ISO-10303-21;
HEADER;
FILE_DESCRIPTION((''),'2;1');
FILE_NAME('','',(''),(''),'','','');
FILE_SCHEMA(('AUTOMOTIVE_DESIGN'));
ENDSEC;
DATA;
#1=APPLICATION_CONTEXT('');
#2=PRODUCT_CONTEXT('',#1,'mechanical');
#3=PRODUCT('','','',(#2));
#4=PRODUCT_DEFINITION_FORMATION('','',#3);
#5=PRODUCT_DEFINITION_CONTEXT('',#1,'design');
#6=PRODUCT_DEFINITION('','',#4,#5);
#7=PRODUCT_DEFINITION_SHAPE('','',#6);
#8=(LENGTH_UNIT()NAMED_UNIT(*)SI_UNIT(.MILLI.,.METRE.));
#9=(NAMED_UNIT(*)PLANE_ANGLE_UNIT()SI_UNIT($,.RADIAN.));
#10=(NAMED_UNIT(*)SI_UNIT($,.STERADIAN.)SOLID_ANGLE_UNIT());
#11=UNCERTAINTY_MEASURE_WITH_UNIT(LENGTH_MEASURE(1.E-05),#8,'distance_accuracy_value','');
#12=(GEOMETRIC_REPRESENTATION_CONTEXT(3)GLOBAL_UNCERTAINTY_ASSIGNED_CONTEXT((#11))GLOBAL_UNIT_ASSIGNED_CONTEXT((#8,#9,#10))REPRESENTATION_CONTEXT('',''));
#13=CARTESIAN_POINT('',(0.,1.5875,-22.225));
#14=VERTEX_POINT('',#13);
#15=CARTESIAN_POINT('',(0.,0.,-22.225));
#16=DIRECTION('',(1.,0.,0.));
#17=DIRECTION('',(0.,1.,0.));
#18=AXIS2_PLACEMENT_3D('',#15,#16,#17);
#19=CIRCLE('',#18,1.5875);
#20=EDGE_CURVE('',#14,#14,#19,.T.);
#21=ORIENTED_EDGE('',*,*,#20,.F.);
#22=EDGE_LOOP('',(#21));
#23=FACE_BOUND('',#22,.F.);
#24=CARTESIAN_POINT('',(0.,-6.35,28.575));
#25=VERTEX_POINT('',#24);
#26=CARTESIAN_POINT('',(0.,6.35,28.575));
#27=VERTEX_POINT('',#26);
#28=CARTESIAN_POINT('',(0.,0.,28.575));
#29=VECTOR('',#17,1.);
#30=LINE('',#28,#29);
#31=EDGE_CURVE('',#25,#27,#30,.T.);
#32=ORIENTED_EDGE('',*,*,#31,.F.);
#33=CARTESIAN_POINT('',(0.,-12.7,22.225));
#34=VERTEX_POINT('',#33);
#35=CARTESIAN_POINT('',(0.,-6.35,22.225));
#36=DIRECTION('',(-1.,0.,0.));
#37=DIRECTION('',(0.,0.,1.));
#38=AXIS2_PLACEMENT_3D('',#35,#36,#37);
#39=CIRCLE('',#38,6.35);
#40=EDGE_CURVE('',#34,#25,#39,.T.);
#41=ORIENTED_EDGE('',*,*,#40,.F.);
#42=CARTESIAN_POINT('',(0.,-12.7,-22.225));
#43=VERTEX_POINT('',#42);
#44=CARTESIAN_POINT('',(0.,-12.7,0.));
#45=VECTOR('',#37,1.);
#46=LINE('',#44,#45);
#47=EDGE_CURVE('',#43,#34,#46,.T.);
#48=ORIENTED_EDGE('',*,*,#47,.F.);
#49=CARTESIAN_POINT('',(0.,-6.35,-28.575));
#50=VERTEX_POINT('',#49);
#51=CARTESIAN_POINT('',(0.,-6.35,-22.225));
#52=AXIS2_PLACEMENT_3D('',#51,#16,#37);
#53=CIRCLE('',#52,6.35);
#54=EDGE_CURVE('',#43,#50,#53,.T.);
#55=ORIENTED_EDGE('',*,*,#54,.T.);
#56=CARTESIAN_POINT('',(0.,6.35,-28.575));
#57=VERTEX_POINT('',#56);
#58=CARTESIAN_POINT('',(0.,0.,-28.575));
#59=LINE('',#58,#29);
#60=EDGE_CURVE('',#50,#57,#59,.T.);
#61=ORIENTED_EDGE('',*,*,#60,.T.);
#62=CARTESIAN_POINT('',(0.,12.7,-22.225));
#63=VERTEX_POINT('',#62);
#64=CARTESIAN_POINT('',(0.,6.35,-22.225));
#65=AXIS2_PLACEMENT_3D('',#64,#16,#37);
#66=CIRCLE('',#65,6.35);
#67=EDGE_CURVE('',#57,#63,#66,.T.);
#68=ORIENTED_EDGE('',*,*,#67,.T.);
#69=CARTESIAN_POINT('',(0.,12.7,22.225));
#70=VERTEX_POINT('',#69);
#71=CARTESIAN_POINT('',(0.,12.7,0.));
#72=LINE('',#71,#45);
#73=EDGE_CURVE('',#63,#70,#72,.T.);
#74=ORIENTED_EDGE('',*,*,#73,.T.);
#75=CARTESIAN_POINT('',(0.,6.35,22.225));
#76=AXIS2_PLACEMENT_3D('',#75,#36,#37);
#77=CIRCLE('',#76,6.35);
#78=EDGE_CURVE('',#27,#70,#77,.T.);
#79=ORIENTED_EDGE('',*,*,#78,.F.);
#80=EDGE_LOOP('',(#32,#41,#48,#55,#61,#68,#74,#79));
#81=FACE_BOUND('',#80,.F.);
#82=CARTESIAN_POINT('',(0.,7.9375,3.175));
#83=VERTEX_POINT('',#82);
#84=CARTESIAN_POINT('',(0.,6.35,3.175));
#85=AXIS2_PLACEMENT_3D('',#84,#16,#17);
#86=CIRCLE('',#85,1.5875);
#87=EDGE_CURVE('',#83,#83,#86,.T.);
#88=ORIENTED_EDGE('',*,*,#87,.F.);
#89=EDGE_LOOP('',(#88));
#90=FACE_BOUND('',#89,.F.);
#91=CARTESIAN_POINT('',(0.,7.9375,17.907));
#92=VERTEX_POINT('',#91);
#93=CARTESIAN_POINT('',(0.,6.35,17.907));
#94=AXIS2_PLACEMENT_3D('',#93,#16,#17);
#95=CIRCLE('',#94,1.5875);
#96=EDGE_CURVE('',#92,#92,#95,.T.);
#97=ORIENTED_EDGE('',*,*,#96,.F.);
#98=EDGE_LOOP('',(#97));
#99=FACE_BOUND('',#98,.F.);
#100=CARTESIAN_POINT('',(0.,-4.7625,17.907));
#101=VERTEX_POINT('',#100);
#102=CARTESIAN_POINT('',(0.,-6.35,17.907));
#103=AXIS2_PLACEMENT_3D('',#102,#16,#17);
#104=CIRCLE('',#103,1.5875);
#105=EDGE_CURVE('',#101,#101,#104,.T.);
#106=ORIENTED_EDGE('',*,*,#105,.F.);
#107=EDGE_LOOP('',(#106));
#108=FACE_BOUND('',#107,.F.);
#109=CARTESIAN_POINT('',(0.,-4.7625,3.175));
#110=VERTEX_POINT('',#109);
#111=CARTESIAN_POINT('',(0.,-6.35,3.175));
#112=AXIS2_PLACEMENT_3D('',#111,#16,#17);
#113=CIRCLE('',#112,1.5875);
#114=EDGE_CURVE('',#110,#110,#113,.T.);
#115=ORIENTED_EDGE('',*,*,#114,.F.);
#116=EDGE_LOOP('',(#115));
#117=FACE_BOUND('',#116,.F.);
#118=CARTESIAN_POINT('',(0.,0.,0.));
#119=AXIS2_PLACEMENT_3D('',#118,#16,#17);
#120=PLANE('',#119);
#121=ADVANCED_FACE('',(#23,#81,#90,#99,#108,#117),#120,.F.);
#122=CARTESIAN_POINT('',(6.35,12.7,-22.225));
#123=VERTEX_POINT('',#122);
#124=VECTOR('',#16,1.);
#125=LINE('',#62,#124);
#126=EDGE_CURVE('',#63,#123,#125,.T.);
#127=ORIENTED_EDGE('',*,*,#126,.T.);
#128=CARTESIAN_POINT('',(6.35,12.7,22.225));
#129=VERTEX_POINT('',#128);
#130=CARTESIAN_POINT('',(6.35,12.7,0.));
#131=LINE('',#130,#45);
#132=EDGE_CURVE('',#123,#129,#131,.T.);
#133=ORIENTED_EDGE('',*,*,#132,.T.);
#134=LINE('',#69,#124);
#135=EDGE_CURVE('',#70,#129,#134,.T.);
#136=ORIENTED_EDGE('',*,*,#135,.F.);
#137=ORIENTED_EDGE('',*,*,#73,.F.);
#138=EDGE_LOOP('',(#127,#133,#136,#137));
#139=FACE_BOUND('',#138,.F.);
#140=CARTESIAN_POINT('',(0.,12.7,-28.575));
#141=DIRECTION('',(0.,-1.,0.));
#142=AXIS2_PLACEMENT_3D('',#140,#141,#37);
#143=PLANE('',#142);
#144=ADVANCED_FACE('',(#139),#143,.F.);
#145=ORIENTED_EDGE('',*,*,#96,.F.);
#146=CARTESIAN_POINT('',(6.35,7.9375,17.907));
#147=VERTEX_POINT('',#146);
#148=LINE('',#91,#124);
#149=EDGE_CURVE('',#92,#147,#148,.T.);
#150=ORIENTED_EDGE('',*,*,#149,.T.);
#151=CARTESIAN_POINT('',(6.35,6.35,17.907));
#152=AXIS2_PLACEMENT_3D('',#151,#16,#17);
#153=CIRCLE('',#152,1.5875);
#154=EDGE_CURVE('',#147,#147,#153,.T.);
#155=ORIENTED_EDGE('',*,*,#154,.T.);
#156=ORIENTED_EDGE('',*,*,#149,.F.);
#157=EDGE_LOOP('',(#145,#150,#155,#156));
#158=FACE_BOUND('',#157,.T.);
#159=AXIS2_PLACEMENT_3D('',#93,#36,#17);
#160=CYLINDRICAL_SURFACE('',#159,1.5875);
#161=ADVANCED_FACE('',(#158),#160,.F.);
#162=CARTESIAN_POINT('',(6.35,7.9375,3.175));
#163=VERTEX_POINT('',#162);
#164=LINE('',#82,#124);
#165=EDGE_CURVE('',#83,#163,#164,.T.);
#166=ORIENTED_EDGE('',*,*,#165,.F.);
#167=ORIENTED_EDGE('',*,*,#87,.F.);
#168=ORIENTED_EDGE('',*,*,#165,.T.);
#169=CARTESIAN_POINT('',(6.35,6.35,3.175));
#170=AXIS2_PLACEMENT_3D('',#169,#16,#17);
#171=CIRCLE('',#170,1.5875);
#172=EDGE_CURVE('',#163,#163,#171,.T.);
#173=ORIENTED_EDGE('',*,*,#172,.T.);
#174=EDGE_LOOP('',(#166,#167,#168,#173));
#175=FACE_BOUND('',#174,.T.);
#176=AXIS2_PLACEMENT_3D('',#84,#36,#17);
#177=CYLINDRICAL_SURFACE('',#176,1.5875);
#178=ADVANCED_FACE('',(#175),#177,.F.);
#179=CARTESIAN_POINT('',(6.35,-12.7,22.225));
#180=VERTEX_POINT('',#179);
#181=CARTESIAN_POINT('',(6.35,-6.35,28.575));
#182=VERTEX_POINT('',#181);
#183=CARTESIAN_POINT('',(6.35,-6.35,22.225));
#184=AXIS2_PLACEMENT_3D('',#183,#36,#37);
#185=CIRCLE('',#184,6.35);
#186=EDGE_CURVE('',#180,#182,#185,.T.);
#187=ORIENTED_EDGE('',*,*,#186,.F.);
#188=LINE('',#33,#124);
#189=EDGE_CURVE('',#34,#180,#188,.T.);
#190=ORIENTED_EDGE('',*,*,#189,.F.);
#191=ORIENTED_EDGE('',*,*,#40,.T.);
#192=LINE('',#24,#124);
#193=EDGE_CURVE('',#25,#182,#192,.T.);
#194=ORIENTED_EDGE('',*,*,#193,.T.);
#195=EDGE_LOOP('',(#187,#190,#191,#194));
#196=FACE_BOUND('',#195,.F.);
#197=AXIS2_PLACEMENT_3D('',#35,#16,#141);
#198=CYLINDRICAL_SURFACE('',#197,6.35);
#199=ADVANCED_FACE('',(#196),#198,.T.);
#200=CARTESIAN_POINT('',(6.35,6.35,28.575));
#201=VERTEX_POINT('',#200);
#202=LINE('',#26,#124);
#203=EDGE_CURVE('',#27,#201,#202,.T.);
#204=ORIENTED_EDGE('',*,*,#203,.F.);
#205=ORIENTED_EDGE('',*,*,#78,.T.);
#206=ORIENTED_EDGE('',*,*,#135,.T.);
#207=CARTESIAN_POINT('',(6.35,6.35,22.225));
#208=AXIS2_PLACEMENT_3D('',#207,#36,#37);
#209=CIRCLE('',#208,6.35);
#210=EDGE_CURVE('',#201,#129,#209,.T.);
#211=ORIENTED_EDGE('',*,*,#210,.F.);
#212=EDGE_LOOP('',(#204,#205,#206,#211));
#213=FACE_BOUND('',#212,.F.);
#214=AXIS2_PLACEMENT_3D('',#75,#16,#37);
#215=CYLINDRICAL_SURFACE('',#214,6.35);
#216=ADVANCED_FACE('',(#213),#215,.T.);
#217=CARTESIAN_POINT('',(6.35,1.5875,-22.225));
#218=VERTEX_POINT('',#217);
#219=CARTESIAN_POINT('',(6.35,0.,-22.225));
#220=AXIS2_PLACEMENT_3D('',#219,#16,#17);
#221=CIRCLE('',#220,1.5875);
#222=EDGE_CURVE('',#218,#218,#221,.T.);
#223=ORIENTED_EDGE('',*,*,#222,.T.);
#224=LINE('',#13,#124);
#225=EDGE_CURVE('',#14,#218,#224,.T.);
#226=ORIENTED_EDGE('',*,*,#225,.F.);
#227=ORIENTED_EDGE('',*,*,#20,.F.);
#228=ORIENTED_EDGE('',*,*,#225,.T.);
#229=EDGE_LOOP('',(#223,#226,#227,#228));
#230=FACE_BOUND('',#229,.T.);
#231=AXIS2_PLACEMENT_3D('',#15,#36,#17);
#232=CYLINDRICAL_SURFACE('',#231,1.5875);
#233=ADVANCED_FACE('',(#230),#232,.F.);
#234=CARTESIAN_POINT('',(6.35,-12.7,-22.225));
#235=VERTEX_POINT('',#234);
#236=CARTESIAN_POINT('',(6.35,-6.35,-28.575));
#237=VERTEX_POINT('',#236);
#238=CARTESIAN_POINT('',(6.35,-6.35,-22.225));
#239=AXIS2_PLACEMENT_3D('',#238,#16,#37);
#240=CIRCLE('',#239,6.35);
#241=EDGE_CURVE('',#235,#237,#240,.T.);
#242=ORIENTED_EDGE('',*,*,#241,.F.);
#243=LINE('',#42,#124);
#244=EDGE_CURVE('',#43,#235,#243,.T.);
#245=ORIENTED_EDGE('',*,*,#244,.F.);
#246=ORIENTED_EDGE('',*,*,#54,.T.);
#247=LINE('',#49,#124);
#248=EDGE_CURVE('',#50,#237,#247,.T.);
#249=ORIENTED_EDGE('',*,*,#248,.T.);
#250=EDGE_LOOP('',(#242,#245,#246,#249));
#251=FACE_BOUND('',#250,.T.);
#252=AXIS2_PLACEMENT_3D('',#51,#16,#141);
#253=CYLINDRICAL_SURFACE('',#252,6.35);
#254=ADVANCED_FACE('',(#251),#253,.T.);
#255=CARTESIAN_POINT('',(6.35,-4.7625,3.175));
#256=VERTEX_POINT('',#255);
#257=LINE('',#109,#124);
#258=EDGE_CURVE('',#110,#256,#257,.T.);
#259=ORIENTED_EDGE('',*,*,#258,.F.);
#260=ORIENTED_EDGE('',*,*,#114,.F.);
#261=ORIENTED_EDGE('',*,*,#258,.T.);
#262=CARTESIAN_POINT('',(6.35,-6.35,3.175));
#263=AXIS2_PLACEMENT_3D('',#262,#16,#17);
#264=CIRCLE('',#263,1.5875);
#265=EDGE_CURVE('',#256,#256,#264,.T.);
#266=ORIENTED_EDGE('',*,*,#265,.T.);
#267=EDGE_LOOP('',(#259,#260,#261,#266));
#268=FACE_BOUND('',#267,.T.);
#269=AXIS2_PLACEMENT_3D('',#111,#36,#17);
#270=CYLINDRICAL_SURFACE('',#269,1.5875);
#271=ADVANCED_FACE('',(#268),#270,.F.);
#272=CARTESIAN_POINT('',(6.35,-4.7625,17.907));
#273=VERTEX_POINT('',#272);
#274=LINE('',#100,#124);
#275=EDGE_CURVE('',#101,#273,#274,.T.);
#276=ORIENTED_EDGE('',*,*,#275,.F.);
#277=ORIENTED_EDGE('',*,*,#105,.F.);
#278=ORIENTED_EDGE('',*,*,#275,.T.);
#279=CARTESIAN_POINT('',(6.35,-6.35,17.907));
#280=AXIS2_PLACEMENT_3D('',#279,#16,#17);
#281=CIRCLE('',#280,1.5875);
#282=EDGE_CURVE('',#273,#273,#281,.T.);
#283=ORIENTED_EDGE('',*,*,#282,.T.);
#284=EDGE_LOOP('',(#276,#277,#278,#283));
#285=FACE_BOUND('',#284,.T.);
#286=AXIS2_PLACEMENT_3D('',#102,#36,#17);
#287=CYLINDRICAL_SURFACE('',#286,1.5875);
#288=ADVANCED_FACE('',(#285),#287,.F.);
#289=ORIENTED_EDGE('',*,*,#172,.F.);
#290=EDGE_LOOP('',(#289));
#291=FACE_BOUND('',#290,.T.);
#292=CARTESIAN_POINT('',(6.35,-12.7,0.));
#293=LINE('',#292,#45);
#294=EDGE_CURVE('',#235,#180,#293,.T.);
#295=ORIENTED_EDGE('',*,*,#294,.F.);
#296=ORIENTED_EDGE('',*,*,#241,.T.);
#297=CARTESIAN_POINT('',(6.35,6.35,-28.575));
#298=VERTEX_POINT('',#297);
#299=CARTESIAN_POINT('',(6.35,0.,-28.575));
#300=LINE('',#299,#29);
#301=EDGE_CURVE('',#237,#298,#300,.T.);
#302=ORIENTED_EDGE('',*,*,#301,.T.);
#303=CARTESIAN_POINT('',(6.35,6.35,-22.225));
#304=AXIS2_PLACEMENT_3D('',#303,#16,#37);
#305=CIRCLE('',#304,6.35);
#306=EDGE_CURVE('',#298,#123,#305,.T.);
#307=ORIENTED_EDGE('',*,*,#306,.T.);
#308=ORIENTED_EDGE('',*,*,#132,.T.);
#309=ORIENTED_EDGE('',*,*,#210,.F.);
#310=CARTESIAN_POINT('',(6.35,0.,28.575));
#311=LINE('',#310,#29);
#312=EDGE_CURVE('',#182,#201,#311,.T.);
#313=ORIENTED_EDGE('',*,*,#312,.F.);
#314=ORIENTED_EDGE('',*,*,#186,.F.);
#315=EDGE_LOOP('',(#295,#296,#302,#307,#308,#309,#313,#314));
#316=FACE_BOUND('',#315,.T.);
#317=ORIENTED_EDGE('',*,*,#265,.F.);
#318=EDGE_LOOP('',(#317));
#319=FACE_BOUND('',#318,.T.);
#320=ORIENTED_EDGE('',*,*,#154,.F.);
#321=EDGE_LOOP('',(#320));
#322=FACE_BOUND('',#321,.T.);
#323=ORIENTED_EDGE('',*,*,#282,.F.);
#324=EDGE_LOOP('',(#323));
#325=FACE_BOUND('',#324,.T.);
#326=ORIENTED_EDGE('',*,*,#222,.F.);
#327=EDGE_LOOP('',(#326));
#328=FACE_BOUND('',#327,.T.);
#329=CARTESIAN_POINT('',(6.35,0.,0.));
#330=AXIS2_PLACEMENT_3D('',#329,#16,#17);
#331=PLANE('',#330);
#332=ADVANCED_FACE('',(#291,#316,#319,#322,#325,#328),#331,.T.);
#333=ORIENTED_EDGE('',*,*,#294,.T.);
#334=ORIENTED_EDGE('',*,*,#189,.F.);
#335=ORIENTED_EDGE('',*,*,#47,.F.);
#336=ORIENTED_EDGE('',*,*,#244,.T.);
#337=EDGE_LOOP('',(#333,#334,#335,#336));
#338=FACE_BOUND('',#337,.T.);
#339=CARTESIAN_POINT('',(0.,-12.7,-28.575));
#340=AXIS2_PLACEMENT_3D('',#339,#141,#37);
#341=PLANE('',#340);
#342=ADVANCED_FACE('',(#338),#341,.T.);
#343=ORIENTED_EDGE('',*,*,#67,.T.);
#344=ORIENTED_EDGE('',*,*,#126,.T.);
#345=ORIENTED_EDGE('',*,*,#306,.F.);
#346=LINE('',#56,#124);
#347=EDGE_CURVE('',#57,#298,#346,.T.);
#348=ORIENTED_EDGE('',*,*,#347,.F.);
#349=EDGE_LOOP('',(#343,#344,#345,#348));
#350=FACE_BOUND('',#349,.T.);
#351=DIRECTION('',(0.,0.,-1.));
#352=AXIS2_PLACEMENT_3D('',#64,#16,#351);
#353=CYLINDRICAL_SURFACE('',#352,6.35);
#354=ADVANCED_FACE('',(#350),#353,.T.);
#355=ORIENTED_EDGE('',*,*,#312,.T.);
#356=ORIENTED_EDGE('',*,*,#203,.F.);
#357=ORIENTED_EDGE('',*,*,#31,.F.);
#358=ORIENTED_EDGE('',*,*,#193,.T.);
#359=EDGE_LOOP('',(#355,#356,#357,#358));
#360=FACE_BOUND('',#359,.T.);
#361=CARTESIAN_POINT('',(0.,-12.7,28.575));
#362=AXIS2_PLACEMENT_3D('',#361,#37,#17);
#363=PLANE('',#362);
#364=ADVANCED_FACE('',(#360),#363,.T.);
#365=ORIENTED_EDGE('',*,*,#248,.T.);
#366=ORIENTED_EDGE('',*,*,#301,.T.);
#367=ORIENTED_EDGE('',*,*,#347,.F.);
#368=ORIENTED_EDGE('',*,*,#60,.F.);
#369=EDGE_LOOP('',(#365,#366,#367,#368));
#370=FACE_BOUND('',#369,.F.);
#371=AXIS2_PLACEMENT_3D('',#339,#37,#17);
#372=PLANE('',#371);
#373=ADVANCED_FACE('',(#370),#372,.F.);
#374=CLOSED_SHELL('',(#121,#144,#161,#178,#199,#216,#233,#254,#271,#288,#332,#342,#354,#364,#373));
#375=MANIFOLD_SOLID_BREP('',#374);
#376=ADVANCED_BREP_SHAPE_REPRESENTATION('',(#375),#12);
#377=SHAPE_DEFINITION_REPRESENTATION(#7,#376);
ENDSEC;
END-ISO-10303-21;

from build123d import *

# Parameters (mm, degrees)
F0_W     = 25.4
F0_H     = 57.15
F0_R     = 1.5875
F1_DEPTH = 6.35
F2_R     = 6.35
F3_R     = 6.35


with BuildPart() as f1:
    # F0 (on Right) → F1 (new body)
    with BuildSketch(Plane.YZ):
        Rectangle(F0_W, F0_H)
        with Locations((0, -22.225)):
            Circle(F0_R, mode=Mode.SUBTRACT)
        with Locations((-6.35, 3.175)):
            Circle(F0_R, mode=Mode.SUBTRACT)
        with Locations((-6.35, 17.907)):
            Circle(F0_R, mode=Mode.SUBTRACT)
        with Locations((6.35, 3.175)):
            Circle(F0_R, mode=Mode.SUBTRACT)
        with Locations((6.35, 17.907)):
            Circle(F0_R, mode=Mode.SUBTRACT)
    extrude(amount=F1_DEPTH)

    # F2
    f2_edges = [f1.edges().sort_by_distance(p)[0] for p in [
        (3.175, -12.7, 28.575),
        (3.175, 12.7, 28.575),
    ]]
    fillet(f2_edges, radius=F2_R)

    # F3
    f3_edges = [f1.edges().sort_by_distance(p)[0] for p in [
        (3.175, -12.7, -28.575),
        (3.175, 12.7, -28.575),
    ]]
    fillet(f3_edges, radius=F3_R)


solid = f1.part
